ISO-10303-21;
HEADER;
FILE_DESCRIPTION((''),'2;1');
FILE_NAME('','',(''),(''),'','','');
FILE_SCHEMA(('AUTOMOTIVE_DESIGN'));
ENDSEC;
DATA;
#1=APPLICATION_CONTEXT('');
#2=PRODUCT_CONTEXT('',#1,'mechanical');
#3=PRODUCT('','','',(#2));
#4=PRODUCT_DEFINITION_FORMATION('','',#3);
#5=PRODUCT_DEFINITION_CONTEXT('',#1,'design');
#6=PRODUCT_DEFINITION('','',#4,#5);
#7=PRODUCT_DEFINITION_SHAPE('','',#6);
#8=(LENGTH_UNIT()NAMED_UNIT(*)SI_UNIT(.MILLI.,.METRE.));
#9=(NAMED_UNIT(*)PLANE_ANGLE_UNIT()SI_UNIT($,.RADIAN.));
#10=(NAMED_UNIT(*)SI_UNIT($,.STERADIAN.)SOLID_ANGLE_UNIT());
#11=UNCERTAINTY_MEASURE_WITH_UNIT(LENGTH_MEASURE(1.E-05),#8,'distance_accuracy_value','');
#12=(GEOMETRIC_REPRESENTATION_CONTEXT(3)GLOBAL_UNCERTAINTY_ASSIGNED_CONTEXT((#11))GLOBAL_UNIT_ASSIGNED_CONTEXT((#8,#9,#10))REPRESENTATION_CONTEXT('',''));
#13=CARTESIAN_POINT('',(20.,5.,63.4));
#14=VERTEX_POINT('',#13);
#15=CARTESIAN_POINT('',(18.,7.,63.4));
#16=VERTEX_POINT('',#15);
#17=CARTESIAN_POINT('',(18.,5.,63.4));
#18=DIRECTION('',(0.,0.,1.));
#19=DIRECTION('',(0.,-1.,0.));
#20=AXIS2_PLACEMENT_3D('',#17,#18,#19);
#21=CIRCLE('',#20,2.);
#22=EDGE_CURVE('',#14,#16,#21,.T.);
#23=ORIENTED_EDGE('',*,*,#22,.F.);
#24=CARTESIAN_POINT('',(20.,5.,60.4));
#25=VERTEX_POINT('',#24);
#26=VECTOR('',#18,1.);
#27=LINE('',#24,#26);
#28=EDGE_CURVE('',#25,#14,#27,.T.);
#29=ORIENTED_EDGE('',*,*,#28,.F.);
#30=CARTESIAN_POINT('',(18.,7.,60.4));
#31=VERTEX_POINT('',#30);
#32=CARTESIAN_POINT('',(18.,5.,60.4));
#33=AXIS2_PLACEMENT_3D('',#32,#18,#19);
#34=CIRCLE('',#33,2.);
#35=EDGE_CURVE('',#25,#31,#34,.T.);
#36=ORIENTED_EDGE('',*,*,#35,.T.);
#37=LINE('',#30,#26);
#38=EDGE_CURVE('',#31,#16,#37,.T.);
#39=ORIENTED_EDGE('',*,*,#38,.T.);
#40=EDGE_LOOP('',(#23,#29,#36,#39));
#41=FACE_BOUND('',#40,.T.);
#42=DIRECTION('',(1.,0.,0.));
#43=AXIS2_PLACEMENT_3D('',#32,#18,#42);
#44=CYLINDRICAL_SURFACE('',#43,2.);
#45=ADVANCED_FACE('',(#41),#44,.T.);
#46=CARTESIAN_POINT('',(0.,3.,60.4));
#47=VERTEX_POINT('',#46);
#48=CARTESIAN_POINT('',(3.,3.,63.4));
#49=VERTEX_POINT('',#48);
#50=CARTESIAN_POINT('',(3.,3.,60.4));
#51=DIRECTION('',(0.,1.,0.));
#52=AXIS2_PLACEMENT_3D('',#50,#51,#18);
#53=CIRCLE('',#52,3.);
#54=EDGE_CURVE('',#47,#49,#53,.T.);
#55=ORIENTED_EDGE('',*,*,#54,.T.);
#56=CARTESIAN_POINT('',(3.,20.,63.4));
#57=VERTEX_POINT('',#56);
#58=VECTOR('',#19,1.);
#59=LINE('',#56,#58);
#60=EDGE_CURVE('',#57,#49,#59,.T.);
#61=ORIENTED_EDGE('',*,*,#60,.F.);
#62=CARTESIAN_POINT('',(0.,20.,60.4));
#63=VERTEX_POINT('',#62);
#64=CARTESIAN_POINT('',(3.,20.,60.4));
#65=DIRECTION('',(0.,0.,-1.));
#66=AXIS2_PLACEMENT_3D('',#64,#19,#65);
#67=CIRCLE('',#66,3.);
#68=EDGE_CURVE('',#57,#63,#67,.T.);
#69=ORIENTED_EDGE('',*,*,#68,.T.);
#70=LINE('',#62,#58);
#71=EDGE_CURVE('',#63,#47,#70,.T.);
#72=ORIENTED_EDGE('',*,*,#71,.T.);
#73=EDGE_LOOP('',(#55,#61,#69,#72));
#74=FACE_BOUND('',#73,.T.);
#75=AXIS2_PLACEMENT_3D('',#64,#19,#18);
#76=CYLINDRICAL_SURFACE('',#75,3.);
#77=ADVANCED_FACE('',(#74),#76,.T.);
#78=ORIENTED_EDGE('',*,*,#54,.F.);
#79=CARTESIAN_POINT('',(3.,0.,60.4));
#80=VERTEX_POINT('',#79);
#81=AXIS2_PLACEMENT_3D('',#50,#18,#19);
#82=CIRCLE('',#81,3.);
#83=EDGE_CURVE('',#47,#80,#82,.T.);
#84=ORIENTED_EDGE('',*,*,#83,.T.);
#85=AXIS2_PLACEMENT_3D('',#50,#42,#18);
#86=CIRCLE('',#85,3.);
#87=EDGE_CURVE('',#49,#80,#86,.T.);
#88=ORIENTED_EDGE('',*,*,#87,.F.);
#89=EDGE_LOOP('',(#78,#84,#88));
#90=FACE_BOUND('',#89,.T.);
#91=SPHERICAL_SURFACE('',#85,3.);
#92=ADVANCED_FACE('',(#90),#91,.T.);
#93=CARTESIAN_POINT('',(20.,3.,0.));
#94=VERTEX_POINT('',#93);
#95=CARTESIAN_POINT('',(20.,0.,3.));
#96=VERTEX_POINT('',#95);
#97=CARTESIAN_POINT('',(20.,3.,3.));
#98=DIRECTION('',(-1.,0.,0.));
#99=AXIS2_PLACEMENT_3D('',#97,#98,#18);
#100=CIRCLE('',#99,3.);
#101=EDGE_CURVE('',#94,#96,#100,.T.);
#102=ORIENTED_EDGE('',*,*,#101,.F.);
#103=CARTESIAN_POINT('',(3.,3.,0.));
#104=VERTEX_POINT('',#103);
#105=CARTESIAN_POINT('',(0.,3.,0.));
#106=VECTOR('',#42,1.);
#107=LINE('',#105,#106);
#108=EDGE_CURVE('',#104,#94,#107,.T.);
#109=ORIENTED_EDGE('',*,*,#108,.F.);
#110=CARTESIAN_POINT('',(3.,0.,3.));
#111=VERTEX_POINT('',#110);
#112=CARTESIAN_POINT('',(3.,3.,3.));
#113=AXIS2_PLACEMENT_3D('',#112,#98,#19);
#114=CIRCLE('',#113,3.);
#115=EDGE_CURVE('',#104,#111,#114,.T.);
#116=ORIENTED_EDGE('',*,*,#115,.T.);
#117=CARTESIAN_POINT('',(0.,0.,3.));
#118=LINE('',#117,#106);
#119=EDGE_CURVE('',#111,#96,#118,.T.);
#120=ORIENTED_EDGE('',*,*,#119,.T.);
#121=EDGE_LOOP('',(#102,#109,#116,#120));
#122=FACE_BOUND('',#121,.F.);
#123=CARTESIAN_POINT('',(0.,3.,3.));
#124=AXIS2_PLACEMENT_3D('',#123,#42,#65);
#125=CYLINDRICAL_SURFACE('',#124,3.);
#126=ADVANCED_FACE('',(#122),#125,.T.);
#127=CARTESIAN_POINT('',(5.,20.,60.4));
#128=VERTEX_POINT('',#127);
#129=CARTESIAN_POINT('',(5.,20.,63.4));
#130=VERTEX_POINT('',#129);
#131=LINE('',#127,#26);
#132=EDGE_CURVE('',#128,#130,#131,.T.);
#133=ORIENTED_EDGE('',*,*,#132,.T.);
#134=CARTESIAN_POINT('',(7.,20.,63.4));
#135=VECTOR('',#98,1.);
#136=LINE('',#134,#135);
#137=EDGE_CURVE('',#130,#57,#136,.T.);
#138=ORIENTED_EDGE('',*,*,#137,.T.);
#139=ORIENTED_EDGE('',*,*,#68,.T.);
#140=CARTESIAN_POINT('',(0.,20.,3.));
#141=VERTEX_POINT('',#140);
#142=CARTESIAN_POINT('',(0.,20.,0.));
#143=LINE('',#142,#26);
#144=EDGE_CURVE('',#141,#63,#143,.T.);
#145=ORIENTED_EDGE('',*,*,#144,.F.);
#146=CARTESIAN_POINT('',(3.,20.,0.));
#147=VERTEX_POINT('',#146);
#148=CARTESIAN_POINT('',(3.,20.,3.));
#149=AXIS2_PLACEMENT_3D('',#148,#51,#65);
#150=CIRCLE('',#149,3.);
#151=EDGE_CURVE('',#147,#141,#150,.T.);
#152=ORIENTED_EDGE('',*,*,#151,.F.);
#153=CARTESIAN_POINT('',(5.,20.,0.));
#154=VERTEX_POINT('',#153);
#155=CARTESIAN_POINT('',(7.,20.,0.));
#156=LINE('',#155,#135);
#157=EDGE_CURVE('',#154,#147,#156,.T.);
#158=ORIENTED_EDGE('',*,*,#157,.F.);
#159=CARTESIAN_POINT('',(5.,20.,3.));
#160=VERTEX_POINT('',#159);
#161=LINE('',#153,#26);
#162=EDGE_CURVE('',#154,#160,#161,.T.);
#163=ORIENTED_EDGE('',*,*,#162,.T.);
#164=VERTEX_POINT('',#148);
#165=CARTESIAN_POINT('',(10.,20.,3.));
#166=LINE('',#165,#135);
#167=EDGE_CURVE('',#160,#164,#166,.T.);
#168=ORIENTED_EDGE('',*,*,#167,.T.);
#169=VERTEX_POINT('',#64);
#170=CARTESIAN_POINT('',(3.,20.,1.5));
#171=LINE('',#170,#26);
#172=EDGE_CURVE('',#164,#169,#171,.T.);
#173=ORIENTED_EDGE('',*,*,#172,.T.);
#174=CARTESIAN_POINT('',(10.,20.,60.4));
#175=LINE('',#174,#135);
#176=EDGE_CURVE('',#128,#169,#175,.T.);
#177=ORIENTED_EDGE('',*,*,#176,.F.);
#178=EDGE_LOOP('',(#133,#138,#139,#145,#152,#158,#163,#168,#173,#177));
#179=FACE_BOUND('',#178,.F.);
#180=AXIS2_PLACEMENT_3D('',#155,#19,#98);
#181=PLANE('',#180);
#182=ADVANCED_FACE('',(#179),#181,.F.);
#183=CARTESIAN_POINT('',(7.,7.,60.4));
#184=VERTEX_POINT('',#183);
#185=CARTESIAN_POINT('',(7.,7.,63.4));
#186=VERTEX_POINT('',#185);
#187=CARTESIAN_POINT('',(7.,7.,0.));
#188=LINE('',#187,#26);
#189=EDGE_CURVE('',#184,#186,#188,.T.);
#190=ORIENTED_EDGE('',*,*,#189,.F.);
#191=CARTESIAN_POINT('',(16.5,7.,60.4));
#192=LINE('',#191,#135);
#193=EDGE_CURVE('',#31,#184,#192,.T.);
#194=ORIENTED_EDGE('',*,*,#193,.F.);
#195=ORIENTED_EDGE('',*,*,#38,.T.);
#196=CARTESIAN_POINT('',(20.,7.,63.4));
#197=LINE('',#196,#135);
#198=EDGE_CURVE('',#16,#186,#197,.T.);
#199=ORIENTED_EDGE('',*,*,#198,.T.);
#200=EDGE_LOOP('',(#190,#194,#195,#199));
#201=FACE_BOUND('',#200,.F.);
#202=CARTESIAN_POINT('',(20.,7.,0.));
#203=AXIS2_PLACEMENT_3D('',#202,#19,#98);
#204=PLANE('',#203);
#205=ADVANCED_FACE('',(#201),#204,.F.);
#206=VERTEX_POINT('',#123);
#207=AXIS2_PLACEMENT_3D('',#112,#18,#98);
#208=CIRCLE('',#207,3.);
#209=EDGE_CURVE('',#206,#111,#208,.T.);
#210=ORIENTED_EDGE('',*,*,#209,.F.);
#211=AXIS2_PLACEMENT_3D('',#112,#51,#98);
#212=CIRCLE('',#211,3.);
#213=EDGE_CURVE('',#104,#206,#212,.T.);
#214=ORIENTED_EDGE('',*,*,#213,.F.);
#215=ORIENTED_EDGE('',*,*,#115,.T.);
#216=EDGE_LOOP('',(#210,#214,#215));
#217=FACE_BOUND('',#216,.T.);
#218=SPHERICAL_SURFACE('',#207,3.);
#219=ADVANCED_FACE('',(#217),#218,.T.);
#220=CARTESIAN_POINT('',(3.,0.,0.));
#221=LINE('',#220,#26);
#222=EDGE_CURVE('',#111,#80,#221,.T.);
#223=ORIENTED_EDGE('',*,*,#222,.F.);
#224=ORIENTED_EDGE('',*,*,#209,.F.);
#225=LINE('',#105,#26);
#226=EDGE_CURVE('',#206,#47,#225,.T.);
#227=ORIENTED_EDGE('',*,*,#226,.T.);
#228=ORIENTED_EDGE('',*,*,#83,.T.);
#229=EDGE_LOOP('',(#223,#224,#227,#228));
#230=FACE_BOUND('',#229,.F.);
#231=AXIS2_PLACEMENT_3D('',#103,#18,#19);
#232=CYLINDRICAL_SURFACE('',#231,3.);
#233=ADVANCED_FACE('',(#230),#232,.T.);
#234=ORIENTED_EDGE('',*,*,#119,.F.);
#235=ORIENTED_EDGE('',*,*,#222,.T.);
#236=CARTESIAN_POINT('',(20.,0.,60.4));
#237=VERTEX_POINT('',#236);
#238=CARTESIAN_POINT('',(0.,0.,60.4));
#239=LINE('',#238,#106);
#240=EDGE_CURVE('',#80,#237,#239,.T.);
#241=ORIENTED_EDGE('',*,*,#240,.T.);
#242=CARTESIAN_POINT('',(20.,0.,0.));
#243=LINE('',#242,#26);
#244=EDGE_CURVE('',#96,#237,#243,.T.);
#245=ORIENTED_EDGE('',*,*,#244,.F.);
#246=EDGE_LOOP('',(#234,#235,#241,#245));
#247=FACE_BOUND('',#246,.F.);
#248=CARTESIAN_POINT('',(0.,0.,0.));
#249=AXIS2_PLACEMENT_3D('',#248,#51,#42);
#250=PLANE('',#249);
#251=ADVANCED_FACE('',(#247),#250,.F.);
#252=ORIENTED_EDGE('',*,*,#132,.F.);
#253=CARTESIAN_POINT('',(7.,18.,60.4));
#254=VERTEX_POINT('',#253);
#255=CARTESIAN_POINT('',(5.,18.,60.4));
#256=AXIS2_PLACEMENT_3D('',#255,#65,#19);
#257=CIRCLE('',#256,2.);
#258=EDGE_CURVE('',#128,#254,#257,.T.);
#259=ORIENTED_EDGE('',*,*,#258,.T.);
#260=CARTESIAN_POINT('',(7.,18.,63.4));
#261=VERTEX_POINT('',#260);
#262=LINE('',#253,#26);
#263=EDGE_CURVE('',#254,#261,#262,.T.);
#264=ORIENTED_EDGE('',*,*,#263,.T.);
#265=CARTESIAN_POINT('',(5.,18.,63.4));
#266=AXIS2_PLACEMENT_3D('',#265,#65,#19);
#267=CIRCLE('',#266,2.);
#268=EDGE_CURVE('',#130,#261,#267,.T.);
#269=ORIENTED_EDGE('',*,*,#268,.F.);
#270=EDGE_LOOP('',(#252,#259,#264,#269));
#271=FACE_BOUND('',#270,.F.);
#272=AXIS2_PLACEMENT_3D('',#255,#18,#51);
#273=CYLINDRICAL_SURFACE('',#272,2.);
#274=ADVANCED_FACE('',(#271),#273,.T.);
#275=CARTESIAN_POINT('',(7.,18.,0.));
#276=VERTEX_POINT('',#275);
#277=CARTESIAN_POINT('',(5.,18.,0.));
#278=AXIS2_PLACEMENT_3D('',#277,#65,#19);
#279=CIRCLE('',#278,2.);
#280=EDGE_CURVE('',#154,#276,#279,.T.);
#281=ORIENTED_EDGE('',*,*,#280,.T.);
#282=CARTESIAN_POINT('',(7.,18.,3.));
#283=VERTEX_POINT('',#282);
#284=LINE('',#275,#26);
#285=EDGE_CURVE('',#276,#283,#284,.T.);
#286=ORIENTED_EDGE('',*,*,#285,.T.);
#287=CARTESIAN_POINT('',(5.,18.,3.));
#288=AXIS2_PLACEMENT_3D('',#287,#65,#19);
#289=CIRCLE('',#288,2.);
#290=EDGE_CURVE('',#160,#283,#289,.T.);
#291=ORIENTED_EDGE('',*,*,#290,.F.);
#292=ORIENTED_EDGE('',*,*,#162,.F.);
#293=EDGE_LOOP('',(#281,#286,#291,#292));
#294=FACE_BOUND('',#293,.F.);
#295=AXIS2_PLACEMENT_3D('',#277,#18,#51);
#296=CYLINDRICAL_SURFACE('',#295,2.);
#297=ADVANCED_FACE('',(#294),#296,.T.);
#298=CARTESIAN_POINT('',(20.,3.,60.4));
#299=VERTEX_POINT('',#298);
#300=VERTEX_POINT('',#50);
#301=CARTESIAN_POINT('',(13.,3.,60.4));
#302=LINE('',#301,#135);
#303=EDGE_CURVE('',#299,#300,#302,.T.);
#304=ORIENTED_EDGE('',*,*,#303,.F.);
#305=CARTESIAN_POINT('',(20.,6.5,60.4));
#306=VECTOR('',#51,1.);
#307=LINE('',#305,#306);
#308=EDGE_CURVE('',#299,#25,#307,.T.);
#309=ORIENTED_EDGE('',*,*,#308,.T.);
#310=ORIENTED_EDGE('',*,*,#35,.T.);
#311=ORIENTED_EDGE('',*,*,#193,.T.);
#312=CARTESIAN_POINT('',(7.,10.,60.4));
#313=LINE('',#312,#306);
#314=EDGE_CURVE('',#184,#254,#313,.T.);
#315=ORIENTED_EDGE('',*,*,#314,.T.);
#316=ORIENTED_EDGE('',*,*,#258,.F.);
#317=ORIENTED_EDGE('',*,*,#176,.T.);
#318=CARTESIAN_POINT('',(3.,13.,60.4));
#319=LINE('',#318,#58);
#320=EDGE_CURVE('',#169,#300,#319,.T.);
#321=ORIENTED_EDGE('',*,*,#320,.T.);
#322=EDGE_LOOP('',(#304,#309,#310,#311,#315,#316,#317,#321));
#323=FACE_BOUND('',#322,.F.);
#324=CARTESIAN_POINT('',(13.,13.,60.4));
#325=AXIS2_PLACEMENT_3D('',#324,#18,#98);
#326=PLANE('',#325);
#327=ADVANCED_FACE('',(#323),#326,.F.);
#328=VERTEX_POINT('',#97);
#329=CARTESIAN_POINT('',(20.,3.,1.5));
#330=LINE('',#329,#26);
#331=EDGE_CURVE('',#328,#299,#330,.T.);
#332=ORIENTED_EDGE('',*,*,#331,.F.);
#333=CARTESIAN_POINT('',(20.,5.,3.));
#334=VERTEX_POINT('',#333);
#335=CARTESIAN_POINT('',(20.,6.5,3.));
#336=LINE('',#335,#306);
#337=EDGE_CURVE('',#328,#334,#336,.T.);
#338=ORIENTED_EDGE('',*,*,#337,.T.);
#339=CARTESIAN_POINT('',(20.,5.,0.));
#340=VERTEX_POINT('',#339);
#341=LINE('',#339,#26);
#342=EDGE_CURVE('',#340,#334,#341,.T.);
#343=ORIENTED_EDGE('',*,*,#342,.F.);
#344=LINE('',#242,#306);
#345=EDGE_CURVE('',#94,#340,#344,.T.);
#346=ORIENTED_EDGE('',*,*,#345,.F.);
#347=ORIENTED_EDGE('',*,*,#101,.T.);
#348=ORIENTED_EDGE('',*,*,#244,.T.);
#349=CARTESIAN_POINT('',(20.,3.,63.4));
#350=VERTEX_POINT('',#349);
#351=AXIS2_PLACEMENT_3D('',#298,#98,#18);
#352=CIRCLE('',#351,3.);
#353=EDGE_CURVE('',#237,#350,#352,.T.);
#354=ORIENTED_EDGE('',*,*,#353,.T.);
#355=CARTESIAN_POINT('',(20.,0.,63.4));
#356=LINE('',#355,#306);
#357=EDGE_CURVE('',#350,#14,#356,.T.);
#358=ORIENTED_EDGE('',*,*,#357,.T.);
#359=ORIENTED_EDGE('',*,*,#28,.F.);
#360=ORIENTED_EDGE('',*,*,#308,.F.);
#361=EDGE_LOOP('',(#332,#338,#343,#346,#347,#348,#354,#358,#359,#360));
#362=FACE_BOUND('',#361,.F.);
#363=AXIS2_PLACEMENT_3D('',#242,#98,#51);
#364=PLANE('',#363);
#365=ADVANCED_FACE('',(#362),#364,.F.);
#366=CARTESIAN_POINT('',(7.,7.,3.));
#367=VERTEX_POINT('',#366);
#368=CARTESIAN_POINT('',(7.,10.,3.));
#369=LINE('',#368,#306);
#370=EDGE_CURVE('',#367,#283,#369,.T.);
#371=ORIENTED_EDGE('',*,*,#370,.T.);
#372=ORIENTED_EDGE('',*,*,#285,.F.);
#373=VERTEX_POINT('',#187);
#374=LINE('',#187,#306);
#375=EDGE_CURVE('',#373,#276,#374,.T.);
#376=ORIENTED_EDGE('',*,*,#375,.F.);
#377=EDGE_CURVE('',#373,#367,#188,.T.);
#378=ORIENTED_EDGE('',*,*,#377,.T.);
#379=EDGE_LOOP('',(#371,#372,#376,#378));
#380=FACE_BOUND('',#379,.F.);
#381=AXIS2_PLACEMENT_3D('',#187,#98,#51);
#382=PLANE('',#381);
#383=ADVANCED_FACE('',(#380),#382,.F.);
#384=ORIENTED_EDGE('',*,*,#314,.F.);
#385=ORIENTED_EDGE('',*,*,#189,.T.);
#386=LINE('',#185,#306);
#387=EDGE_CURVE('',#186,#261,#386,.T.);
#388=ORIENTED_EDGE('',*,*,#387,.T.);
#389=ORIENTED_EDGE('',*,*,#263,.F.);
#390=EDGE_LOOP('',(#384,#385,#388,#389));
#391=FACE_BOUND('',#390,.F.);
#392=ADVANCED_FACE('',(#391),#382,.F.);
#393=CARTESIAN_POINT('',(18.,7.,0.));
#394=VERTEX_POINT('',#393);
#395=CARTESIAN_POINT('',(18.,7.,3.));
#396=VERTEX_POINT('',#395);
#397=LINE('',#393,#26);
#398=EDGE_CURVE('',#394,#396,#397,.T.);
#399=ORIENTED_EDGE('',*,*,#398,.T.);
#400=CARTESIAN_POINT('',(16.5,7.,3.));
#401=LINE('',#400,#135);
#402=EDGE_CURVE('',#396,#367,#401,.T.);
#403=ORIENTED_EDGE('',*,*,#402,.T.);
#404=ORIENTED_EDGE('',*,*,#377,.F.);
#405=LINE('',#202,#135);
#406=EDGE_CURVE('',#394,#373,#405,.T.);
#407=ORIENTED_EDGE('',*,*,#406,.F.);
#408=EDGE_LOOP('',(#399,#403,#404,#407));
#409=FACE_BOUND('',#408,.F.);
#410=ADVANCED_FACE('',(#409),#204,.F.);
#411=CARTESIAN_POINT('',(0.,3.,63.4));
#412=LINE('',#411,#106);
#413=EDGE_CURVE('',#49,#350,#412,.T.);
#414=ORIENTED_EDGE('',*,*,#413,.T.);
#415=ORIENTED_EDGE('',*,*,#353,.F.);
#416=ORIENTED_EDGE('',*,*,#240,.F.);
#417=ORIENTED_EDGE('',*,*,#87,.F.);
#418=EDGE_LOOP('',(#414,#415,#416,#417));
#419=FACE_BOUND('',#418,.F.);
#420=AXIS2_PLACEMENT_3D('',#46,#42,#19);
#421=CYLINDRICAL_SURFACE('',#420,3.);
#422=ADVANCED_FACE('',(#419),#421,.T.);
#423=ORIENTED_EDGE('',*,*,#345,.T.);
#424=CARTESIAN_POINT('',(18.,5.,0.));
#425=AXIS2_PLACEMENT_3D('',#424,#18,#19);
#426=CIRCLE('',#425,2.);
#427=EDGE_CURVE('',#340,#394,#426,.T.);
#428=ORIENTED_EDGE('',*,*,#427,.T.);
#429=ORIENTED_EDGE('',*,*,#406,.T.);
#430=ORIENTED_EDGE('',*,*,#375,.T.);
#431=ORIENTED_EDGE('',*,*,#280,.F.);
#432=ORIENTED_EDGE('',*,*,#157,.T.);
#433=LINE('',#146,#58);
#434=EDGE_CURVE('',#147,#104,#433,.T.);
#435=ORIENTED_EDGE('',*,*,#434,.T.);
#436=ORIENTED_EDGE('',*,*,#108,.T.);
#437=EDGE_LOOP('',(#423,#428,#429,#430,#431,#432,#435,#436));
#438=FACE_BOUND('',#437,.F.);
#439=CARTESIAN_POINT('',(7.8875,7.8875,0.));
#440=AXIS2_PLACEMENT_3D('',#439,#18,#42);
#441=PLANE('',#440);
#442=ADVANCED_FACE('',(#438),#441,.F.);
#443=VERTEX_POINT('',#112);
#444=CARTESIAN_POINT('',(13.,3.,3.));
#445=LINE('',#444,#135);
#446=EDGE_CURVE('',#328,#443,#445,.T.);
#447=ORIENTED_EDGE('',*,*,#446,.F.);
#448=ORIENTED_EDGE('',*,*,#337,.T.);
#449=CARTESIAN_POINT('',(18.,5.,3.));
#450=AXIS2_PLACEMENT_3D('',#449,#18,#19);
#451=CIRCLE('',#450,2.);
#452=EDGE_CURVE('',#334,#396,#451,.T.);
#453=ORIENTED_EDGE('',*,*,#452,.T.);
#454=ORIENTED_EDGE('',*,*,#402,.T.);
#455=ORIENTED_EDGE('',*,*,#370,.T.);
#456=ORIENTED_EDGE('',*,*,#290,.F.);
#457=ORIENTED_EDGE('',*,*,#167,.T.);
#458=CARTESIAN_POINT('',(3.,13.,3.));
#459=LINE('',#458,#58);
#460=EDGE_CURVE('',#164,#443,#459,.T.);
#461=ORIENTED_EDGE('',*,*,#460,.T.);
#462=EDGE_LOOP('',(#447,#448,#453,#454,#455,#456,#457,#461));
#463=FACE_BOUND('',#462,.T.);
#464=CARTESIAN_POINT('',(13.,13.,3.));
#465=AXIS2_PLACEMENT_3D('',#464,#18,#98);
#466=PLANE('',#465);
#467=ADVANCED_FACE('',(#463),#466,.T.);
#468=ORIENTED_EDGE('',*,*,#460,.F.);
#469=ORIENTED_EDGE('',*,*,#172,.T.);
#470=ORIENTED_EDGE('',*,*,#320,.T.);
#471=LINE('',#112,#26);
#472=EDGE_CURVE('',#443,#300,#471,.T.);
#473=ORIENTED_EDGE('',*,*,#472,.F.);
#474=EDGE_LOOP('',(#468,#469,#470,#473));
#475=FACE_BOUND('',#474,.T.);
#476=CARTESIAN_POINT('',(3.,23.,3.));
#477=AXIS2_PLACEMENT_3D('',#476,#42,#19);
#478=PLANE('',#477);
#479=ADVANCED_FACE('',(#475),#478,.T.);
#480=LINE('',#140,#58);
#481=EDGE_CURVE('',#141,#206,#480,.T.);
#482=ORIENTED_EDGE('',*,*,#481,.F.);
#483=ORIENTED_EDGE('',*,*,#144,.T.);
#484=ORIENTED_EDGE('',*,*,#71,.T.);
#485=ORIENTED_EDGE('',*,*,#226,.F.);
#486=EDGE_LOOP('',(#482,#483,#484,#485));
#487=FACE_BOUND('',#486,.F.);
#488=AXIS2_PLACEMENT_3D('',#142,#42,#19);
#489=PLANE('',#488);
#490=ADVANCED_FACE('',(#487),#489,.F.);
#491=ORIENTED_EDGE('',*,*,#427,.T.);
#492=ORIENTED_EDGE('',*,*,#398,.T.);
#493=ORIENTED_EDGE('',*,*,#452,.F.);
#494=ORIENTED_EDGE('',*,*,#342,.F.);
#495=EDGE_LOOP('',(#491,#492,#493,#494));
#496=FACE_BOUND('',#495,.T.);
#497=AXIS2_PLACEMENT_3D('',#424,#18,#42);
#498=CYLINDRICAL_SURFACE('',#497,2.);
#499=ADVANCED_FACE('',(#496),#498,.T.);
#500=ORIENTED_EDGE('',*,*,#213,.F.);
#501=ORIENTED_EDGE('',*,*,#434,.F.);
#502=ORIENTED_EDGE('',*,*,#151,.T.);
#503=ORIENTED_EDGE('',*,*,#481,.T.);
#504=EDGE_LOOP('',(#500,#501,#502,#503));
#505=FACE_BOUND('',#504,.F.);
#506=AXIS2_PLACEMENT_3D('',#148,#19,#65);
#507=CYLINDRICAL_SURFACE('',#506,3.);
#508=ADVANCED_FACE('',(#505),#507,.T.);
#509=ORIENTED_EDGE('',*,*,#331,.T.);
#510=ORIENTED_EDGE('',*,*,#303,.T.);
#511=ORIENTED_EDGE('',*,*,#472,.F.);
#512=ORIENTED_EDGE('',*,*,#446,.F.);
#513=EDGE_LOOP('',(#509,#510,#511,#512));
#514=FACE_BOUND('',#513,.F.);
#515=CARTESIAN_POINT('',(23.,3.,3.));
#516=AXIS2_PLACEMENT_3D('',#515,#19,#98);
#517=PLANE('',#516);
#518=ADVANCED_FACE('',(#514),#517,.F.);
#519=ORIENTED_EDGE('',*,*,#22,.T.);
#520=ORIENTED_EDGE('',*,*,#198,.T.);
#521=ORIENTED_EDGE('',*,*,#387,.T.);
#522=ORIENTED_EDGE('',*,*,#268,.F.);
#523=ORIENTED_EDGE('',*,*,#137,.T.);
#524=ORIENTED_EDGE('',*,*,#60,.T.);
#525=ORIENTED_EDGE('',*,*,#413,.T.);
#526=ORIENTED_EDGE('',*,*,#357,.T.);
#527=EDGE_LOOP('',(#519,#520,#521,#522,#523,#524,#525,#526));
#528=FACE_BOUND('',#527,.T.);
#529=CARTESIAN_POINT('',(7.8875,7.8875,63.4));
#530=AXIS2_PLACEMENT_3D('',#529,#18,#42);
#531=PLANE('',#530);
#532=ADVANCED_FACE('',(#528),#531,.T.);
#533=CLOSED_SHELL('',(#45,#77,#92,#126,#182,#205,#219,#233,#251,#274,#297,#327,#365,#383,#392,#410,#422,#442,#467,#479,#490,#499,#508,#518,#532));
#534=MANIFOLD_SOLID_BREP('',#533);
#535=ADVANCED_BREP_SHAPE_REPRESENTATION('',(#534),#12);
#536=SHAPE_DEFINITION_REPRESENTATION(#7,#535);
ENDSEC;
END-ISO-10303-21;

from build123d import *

# Parameters (mm, degrees)
PAD_DEPTH    = 63.4
SKETCH001_W  = 20
SKETCH001_H  = 20
POCKET_DEPTH = 57.4
FILLET_R     = 2
FILLET001_R  = 3


with BuildPart() as part:
    # Sketch → Pad (new body)
    with BuildSketch(Plane.XY):
        Polygon((0, 0), (20, 0), (20, 7), (7, 7), (7, 20), (0, 20), align=None)
    extrude(amount=PAD_DEPTH)

    # Sketch001 (on DatumPlane) → Pocket (cut)
    with BuildSketch(Plane(origin=(0, 0, 3), x_dir=(-1, 0, 0), z_dir=(0, 0, 1))):
        with Locations((-13, -13)):
            Rectangle(SKETCH001_W, SKETCH001_H)
    extrude(amount=POCKET_DEPTH, mode=Mode.SUBTRACT)

    # Fillet
    fillet_edges = [part.edges().sort_by_distance(p)[0] for p in [
        (7, 20, 61.9),
        (20, 7, 61.9),
        (7, 20, 1.5),
        (20, 7, 1.5),
    ]]
    fillet(fillet_edges, radius=FILLET_R)

    # Fillet001
    fillet001_edges = [part.edges().sort_by_distance(p)[0] for p in [
        (10, 0, 63.4),
        (0, 10, 63.4),
        (0, 0, 31.7),
        (0, 10, 0),
        (10, 0, 0),
    ]]
    fillet(fillet001_edges, radius=FILLET001_R)


solid = part.part
